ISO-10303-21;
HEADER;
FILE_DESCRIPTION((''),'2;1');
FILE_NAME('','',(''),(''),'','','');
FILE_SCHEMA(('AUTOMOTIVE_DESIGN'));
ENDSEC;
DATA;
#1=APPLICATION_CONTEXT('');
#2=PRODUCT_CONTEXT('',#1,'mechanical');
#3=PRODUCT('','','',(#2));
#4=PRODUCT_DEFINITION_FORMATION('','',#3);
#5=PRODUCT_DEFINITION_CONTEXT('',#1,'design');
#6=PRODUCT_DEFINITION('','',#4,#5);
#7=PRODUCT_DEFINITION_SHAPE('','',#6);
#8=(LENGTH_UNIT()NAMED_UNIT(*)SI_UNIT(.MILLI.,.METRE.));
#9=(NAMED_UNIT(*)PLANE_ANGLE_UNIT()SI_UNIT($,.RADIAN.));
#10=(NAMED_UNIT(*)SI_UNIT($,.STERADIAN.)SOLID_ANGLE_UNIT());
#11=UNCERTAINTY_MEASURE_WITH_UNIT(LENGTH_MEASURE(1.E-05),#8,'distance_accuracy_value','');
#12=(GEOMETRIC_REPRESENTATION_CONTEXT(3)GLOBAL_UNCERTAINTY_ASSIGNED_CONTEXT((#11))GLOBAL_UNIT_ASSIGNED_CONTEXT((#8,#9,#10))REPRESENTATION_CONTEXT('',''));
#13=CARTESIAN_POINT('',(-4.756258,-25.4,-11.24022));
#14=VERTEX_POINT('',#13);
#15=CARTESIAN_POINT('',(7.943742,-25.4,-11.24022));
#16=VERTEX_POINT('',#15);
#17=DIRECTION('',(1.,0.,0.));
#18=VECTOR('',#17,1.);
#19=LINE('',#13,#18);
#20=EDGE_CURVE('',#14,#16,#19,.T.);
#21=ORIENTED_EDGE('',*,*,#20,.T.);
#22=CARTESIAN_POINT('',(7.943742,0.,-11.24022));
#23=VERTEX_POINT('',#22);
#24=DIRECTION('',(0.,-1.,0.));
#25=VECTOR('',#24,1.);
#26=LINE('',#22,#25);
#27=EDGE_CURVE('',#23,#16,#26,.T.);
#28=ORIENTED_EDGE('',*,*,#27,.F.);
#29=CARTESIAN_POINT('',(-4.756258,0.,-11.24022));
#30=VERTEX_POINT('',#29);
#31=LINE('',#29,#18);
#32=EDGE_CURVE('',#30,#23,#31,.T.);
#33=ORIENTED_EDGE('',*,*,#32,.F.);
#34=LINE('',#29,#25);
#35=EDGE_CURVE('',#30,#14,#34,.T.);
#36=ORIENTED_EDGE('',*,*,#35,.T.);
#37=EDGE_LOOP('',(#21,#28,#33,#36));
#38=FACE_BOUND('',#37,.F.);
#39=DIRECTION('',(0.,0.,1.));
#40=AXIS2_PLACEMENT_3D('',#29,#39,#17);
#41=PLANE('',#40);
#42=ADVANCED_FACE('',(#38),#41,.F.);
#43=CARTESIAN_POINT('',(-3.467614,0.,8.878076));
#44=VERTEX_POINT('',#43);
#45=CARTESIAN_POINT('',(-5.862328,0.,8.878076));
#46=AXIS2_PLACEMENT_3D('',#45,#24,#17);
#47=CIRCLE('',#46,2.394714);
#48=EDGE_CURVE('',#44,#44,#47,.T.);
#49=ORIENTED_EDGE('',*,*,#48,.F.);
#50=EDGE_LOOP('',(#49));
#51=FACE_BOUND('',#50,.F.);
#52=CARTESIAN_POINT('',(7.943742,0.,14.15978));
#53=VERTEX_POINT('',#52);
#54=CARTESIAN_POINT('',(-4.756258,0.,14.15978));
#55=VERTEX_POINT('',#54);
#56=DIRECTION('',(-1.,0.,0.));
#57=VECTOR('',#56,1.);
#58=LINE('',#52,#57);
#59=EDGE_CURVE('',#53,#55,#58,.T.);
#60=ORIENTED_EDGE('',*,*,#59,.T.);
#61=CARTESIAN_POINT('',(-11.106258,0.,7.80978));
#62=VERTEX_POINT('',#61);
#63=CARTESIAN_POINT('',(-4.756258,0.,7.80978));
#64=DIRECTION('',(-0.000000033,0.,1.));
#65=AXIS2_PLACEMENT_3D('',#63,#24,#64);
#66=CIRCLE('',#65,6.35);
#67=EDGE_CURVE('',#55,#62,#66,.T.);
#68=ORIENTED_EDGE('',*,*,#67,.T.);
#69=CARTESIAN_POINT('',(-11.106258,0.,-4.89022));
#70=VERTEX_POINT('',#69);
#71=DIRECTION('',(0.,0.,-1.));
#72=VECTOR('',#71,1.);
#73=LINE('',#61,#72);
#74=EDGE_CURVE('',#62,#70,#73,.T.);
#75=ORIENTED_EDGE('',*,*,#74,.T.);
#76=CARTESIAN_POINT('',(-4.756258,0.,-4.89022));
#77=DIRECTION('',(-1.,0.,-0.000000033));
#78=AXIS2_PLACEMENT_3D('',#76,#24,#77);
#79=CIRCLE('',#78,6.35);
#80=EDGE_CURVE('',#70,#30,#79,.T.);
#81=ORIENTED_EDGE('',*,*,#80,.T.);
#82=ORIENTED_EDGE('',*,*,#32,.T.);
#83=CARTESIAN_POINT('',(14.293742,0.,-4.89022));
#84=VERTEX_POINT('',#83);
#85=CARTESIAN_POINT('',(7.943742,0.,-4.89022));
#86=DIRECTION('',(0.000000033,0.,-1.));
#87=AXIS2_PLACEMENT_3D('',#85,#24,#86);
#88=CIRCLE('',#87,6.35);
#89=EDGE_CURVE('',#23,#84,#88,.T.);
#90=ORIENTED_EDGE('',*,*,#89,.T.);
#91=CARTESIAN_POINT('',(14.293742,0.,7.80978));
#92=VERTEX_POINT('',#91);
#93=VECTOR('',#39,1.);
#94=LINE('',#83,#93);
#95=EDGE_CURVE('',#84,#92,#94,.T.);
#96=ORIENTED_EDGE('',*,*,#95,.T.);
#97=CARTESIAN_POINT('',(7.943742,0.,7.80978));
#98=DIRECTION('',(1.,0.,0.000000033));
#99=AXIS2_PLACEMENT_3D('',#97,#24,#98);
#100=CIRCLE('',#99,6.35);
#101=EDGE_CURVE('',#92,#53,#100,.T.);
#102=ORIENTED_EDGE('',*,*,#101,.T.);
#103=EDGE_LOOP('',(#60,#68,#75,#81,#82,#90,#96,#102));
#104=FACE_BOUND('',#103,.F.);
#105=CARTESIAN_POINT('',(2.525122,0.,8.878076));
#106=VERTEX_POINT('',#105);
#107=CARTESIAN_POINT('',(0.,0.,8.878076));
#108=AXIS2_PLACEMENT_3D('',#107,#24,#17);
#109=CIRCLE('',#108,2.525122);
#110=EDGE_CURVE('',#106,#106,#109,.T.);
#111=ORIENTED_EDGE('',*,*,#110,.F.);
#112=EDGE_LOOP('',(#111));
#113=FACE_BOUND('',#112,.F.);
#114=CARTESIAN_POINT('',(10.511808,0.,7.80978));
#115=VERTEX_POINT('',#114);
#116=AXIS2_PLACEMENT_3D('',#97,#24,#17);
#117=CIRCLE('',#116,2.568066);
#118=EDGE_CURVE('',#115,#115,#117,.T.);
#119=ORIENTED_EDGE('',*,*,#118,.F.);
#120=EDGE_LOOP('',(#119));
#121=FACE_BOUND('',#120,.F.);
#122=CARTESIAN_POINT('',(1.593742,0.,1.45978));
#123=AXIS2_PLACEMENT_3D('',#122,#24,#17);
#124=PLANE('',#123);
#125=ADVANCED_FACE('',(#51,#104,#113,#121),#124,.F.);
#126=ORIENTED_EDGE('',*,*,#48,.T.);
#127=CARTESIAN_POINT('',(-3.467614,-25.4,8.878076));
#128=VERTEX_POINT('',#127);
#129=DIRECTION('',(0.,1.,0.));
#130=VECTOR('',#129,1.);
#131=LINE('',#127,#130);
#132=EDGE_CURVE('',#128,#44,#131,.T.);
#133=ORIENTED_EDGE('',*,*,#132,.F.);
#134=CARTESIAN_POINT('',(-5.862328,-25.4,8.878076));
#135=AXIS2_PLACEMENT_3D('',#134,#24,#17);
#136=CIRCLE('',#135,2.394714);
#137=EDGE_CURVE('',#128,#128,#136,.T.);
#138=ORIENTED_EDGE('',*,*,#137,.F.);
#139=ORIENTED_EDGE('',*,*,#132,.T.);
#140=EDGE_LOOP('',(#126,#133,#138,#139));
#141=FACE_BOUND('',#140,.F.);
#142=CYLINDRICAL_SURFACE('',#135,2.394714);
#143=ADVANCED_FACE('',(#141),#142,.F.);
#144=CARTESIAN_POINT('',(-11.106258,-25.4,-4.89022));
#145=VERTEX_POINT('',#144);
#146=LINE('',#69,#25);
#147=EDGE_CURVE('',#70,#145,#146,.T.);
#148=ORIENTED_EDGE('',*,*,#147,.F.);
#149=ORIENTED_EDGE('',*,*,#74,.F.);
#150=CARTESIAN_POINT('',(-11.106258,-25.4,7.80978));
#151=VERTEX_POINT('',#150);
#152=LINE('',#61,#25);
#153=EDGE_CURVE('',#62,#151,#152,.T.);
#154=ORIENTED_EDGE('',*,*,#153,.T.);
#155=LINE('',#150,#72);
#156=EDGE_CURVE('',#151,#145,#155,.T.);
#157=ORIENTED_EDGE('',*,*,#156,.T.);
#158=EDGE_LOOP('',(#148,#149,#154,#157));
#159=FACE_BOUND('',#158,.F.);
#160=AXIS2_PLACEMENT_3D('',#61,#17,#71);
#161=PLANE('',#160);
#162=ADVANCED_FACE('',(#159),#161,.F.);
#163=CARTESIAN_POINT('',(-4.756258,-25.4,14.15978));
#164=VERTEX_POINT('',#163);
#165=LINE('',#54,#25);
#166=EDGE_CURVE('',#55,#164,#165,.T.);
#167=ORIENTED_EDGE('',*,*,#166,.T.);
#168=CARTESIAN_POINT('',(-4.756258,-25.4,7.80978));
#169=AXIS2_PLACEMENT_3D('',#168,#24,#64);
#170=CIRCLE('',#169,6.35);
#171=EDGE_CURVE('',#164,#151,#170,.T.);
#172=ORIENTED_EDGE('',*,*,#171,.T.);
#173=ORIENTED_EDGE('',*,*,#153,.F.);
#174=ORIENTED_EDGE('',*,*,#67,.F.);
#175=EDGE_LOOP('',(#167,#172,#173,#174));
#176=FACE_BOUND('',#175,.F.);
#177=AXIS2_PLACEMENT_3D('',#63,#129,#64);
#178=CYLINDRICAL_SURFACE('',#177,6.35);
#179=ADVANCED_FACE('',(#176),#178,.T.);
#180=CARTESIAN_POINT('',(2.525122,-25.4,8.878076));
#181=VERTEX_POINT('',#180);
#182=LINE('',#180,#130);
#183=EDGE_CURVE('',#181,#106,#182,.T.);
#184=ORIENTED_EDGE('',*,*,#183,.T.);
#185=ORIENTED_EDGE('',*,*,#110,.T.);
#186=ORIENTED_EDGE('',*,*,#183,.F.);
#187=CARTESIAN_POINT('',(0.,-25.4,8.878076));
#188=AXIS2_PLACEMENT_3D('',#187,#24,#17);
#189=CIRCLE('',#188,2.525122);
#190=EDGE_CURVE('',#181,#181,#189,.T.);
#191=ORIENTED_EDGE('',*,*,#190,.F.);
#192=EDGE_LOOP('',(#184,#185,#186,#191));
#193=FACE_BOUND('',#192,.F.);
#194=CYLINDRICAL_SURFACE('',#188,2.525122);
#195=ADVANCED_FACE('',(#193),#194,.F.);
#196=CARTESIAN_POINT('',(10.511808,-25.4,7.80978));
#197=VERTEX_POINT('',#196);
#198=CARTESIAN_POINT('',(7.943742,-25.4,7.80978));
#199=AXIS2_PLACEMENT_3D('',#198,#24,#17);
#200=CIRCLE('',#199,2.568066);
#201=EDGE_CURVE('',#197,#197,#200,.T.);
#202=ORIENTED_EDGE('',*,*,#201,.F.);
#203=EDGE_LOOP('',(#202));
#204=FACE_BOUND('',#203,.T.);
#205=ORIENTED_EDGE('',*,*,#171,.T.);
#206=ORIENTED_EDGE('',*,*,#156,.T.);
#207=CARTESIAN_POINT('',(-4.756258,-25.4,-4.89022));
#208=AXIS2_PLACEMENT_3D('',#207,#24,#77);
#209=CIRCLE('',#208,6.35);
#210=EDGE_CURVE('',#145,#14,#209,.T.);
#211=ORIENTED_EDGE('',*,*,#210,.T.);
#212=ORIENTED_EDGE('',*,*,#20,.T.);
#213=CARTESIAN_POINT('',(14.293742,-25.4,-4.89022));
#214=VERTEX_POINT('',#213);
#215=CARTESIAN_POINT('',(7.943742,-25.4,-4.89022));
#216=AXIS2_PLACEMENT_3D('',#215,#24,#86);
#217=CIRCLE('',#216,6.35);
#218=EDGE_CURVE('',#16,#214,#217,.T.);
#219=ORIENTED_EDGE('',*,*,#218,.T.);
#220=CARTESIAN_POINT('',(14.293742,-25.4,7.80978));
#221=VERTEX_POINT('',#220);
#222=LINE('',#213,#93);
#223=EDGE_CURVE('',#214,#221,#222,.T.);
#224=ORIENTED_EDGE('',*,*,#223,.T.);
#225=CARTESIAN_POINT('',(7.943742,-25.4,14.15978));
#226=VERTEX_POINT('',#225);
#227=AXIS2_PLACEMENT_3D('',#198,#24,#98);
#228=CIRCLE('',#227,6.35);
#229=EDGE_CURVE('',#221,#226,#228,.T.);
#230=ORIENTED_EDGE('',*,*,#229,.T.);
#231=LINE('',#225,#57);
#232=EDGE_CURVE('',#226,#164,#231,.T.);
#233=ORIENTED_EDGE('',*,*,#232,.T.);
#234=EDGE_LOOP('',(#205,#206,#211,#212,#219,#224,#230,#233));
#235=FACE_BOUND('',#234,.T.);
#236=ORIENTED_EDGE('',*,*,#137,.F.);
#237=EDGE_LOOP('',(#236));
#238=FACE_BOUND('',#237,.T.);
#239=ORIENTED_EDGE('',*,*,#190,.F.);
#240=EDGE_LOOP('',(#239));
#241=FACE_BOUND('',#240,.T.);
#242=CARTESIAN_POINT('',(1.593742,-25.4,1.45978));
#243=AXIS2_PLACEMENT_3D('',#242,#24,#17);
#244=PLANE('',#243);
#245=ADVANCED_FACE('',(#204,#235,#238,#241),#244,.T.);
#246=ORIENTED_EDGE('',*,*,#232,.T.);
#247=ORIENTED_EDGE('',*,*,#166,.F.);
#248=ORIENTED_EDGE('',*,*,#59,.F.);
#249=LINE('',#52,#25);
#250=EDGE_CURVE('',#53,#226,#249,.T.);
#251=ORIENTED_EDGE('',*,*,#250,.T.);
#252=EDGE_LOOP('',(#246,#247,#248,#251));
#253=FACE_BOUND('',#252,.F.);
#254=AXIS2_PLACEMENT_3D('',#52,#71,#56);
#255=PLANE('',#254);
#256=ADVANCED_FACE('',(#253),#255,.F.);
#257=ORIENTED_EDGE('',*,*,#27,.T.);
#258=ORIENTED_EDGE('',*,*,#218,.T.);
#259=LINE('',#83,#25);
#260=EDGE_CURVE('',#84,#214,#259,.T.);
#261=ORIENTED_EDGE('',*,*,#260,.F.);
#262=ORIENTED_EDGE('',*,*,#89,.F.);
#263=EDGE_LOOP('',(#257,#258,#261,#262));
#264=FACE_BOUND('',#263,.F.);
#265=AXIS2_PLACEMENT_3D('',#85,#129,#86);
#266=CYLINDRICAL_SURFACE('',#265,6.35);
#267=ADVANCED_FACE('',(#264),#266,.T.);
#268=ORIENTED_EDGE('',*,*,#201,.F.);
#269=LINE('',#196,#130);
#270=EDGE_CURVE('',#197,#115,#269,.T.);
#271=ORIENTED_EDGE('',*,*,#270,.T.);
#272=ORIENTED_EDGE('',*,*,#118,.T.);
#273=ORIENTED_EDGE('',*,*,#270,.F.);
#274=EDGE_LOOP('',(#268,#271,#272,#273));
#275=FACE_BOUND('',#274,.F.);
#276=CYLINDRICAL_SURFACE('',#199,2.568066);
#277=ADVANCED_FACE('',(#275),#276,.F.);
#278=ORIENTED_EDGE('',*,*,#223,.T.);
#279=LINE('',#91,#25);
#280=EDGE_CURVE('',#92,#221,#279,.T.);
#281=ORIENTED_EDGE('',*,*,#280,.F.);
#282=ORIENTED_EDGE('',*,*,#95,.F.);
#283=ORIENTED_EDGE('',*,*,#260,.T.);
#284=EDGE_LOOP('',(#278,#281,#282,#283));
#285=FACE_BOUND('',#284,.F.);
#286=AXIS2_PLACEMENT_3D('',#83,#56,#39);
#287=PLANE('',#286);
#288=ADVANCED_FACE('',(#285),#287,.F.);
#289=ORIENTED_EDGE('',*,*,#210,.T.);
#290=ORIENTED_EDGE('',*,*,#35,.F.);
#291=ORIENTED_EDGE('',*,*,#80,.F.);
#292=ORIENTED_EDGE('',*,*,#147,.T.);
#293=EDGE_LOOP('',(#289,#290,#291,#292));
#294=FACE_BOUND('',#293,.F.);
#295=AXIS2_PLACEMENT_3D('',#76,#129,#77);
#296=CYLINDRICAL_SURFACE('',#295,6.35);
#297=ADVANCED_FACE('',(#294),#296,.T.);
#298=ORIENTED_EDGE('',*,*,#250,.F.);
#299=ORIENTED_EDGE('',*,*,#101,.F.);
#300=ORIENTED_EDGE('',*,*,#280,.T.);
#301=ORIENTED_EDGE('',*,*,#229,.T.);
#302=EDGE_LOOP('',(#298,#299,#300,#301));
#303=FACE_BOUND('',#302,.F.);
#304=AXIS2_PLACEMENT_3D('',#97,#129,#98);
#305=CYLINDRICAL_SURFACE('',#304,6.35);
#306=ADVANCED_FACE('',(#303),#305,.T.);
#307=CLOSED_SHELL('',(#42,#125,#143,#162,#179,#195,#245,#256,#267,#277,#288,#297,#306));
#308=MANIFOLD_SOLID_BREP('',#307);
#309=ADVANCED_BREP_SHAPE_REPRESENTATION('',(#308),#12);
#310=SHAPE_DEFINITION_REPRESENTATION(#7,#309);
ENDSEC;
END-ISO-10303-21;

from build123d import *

# Parameters (mm, degrees)
F1_DEPTH = 25.4
F2_R     = 2.394714
F2_R_2   = 2.525122
F2_R_3   = 2.568066
F3_DEPTH = 25.4


with BuildPart() as f1:
    # F0 (on Front) → F1 (new body)
    with BuildSketch(Plane.XZ):
        with BuildLine():
            Line((7.943742, 14.15978), (-4.756258, 14.15978))
            ThreePointArc((-4.756258, 14.15978), (-9.246386, 12.299908), (-11.106258, 7.80978))
            Line((-11.106258, 7.80978), (-11.106258, -4.89022))
            ThreePointArc((-11.106258, -4.89022), (-9.246386, -9.380348), (-4.756258, -11.24022))
            Line((-4.756258, -11.24022), (7.943742, -11.24022))
            ThreePointArc((7.943742, -11.24022), (12.43387, -9.380348), (14.293742, -4.89022))
            Line((14.293742, -4.89022), (14.293742, 7.80978))
            ThreePointArc((14.293742, 7.80978), (12.43387, 12.299908), (7.943742, 14.15978))
        make_face()
    extrude(amount=F1_DEPTH)

    # F2 (on face) → F3 (cut)
    with BuildSketch(Plane.XZ.offset(25.4)):
        with Locations((-5.862328, 8.878076)):
            Circle(F2_R)
        with Locations((0, 8.878076)):
            Circle(F2_R_2)
        with Locations((7.943742, 7.80978)):
            Circle(F2_R_3)
    extrude(amount=-F3_DEPTH, mode=Mode.SUBTRACT)


solid = f1.part
